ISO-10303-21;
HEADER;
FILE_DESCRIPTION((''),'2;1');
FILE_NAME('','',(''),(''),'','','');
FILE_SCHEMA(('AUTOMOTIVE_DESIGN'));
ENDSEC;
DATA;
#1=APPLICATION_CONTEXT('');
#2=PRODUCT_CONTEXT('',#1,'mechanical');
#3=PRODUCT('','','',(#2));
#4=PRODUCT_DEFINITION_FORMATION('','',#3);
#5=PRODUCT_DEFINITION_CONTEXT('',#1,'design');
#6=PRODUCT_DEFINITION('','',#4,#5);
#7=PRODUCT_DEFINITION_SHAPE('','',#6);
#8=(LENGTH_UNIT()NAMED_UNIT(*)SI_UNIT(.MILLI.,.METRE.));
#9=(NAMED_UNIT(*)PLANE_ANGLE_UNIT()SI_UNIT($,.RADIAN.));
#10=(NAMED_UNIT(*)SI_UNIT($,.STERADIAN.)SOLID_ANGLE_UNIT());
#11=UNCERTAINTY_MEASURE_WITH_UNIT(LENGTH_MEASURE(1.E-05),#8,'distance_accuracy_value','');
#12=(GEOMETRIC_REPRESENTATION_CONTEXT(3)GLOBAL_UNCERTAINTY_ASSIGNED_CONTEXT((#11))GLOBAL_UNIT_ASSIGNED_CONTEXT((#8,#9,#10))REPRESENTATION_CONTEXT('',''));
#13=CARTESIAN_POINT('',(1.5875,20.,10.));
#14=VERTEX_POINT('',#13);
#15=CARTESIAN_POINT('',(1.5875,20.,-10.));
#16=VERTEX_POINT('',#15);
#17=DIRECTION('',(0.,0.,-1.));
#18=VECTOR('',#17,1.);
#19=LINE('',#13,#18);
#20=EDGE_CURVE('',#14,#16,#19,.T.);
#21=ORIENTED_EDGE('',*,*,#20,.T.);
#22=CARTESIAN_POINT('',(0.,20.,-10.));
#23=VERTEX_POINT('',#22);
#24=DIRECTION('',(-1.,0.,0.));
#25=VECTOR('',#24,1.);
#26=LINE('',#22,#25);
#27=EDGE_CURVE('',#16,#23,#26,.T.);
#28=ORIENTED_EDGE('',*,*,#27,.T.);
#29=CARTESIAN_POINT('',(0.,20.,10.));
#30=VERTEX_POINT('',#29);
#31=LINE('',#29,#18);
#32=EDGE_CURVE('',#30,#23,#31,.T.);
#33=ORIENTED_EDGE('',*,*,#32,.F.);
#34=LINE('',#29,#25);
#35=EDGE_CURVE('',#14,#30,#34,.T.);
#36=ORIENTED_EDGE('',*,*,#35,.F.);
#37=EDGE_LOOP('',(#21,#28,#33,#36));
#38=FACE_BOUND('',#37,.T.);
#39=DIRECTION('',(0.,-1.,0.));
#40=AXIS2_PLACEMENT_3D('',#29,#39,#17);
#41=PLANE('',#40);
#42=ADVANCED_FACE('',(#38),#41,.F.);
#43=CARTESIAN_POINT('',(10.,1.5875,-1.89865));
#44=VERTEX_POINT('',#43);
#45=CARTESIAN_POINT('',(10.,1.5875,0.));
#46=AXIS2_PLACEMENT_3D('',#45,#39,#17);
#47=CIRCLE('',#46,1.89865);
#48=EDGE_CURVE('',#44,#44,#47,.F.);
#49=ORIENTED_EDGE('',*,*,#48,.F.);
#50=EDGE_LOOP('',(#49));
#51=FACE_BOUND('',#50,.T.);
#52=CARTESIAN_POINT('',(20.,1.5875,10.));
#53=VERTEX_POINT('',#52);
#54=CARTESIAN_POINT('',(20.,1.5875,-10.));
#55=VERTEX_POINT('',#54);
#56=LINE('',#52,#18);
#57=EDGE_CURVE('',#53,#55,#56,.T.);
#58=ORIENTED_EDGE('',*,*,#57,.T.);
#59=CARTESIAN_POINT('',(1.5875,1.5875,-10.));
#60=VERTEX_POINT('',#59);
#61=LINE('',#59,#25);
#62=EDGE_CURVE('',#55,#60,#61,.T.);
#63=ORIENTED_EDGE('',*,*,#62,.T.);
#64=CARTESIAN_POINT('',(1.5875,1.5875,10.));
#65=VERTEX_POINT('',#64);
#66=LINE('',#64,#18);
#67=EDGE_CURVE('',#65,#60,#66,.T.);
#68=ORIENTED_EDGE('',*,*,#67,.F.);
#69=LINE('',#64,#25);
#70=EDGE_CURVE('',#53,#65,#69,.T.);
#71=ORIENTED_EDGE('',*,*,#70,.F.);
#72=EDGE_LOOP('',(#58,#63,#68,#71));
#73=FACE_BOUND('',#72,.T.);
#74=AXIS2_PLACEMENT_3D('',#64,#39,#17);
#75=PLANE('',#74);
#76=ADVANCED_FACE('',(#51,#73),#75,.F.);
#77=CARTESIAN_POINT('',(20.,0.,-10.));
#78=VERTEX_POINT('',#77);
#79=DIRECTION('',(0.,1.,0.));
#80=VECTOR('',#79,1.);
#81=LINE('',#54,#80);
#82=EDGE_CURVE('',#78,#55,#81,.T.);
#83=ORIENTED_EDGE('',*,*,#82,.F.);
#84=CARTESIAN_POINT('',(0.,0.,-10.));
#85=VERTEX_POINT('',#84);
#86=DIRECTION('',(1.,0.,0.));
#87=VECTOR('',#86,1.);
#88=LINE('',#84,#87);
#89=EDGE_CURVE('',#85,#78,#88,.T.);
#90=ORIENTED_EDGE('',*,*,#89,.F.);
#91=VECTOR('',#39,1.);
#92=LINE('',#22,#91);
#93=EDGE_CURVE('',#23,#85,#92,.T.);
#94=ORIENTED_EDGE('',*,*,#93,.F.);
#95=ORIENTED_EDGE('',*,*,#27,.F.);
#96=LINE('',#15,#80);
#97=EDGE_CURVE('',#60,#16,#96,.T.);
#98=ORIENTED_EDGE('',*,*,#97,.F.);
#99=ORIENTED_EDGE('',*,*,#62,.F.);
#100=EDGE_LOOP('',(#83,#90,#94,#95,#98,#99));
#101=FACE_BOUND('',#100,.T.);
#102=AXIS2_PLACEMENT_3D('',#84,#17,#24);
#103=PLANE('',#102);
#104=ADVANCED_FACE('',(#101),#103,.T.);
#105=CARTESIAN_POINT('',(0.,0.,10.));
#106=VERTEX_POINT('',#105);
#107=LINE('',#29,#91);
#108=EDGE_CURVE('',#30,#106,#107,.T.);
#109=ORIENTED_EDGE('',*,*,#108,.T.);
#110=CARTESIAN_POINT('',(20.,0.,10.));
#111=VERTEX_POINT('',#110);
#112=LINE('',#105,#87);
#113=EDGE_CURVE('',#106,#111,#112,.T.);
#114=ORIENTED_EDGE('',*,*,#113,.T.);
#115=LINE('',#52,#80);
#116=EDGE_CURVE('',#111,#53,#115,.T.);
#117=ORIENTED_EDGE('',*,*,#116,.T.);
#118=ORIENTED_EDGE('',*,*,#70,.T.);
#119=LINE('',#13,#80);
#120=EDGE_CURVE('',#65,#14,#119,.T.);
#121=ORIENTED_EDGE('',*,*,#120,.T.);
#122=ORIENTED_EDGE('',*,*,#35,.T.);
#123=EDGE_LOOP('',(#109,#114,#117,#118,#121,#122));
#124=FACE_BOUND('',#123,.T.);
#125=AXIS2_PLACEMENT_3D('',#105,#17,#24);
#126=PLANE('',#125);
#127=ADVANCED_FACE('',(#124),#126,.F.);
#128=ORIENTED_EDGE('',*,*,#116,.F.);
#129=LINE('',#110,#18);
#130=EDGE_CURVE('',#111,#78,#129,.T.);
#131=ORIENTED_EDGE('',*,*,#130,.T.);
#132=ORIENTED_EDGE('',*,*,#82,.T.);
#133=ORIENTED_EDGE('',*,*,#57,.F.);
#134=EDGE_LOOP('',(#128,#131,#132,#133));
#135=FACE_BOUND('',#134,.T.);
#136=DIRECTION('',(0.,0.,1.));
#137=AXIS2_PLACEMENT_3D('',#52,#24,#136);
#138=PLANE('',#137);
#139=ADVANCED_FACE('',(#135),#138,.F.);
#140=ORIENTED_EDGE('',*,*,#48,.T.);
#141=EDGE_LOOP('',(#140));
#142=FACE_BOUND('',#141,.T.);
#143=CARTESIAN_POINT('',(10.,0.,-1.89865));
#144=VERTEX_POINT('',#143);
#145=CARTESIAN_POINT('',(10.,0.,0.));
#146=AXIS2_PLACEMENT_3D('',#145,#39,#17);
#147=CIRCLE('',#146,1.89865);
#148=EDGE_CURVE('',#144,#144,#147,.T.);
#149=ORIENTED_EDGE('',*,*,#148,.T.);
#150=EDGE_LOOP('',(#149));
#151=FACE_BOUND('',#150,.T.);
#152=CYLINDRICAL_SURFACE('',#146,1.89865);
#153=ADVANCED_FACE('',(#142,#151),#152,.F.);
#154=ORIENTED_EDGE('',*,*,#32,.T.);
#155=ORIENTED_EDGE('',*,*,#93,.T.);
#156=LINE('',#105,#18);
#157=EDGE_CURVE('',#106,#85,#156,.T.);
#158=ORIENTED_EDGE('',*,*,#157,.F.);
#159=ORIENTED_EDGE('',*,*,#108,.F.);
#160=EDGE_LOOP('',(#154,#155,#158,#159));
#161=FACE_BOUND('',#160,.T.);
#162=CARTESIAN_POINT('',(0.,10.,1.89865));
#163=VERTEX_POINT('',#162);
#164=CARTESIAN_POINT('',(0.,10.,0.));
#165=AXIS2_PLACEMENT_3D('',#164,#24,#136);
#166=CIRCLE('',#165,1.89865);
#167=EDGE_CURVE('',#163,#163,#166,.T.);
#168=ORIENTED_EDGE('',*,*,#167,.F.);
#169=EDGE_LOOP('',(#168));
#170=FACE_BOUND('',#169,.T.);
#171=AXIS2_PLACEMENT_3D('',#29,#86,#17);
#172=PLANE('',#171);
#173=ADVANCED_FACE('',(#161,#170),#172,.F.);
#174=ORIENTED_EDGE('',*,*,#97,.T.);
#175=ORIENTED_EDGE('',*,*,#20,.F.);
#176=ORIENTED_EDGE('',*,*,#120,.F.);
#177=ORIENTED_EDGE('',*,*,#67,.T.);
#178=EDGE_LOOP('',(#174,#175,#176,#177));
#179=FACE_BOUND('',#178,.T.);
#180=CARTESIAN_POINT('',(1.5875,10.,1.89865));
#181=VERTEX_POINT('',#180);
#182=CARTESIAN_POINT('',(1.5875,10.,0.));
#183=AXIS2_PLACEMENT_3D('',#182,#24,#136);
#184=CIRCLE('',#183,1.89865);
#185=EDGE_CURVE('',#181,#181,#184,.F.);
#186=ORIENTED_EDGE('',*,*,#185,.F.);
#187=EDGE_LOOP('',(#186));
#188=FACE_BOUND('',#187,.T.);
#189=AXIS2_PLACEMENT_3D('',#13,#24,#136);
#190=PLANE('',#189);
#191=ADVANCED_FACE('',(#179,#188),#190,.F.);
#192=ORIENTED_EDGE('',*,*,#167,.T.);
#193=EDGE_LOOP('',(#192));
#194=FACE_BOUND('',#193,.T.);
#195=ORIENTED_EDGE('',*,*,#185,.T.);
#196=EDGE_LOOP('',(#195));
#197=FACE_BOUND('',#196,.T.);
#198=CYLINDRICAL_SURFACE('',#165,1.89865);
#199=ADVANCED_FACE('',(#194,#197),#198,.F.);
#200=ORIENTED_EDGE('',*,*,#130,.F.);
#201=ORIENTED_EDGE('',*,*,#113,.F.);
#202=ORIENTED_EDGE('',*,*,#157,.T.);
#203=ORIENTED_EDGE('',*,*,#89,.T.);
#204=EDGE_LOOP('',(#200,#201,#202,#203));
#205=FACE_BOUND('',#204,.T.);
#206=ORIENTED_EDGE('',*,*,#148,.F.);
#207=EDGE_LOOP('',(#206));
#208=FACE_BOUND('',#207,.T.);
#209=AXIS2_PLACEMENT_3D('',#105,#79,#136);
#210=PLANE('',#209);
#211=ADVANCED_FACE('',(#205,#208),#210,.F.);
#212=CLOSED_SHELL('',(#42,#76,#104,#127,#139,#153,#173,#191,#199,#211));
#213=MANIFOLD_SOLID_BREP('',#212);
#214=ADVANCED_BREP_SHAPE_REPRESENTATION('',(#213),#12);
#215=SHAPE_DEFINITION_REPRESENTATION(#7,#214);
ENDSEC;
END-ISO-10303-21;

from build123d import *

# Parameters (mm, degrees)
BOSS_EXTRUDE1_DEPTH       = 10
F_6_CLEARANCE_HOLE1_D     = 3.7973
F_6_CLEARANCE_HOLE1_DEPTH = 20.001
F_6_CLEARANCE_HOLE1_TIP   = 1.140824014
F_6_CLEARANCE_HOLE2_D     = 3.7973


with BuildPart() as part:
    # Sketch1 → Boss-Extrude1 (new, symmetric)
    with BuildSketch(Plane.XY):
        Polygon((0, 20), (0, 0), (20, 0), (20, 1.5875), (1.5875, 1.5875), (1.5875, 20), align=None)
    extrude(amount=BOSS_EXTRUDE1_DEPTH, both=True)

    # #6 Clearance Hole1
    with Locations(Plane(origin=(0, 0, 0), x_dir=(-1, 0, 0), z_dir=(0, -1, 0))):
        with Locations((-10, 0)):
            Hole(F_6_CLEARANCE_HOLE1_D / 2, depth=F_6_CLEARANCE_HOLE1_DEPTH)
            with Locations((0, 0, -(F_6_CLEARANCE_HOLE1_DEPTH + F_6_CLEARANCE_HOLE1_TIP / 2))):  # 118° drill point
                Cone(0, F_6_CLEARANCE_HOLE1_D / 2, F_6_CLEARANCE_HOLE1_TIP, mode=Mode.SUBTRACT)

    # #6 Clearance Hole2 (through all)
    with Locations(Plane.ZY):
        with Locations((0, 10)):
            Hole(F_6_CLEARANCE_HOLE2_D / 2)


solid = part.part
